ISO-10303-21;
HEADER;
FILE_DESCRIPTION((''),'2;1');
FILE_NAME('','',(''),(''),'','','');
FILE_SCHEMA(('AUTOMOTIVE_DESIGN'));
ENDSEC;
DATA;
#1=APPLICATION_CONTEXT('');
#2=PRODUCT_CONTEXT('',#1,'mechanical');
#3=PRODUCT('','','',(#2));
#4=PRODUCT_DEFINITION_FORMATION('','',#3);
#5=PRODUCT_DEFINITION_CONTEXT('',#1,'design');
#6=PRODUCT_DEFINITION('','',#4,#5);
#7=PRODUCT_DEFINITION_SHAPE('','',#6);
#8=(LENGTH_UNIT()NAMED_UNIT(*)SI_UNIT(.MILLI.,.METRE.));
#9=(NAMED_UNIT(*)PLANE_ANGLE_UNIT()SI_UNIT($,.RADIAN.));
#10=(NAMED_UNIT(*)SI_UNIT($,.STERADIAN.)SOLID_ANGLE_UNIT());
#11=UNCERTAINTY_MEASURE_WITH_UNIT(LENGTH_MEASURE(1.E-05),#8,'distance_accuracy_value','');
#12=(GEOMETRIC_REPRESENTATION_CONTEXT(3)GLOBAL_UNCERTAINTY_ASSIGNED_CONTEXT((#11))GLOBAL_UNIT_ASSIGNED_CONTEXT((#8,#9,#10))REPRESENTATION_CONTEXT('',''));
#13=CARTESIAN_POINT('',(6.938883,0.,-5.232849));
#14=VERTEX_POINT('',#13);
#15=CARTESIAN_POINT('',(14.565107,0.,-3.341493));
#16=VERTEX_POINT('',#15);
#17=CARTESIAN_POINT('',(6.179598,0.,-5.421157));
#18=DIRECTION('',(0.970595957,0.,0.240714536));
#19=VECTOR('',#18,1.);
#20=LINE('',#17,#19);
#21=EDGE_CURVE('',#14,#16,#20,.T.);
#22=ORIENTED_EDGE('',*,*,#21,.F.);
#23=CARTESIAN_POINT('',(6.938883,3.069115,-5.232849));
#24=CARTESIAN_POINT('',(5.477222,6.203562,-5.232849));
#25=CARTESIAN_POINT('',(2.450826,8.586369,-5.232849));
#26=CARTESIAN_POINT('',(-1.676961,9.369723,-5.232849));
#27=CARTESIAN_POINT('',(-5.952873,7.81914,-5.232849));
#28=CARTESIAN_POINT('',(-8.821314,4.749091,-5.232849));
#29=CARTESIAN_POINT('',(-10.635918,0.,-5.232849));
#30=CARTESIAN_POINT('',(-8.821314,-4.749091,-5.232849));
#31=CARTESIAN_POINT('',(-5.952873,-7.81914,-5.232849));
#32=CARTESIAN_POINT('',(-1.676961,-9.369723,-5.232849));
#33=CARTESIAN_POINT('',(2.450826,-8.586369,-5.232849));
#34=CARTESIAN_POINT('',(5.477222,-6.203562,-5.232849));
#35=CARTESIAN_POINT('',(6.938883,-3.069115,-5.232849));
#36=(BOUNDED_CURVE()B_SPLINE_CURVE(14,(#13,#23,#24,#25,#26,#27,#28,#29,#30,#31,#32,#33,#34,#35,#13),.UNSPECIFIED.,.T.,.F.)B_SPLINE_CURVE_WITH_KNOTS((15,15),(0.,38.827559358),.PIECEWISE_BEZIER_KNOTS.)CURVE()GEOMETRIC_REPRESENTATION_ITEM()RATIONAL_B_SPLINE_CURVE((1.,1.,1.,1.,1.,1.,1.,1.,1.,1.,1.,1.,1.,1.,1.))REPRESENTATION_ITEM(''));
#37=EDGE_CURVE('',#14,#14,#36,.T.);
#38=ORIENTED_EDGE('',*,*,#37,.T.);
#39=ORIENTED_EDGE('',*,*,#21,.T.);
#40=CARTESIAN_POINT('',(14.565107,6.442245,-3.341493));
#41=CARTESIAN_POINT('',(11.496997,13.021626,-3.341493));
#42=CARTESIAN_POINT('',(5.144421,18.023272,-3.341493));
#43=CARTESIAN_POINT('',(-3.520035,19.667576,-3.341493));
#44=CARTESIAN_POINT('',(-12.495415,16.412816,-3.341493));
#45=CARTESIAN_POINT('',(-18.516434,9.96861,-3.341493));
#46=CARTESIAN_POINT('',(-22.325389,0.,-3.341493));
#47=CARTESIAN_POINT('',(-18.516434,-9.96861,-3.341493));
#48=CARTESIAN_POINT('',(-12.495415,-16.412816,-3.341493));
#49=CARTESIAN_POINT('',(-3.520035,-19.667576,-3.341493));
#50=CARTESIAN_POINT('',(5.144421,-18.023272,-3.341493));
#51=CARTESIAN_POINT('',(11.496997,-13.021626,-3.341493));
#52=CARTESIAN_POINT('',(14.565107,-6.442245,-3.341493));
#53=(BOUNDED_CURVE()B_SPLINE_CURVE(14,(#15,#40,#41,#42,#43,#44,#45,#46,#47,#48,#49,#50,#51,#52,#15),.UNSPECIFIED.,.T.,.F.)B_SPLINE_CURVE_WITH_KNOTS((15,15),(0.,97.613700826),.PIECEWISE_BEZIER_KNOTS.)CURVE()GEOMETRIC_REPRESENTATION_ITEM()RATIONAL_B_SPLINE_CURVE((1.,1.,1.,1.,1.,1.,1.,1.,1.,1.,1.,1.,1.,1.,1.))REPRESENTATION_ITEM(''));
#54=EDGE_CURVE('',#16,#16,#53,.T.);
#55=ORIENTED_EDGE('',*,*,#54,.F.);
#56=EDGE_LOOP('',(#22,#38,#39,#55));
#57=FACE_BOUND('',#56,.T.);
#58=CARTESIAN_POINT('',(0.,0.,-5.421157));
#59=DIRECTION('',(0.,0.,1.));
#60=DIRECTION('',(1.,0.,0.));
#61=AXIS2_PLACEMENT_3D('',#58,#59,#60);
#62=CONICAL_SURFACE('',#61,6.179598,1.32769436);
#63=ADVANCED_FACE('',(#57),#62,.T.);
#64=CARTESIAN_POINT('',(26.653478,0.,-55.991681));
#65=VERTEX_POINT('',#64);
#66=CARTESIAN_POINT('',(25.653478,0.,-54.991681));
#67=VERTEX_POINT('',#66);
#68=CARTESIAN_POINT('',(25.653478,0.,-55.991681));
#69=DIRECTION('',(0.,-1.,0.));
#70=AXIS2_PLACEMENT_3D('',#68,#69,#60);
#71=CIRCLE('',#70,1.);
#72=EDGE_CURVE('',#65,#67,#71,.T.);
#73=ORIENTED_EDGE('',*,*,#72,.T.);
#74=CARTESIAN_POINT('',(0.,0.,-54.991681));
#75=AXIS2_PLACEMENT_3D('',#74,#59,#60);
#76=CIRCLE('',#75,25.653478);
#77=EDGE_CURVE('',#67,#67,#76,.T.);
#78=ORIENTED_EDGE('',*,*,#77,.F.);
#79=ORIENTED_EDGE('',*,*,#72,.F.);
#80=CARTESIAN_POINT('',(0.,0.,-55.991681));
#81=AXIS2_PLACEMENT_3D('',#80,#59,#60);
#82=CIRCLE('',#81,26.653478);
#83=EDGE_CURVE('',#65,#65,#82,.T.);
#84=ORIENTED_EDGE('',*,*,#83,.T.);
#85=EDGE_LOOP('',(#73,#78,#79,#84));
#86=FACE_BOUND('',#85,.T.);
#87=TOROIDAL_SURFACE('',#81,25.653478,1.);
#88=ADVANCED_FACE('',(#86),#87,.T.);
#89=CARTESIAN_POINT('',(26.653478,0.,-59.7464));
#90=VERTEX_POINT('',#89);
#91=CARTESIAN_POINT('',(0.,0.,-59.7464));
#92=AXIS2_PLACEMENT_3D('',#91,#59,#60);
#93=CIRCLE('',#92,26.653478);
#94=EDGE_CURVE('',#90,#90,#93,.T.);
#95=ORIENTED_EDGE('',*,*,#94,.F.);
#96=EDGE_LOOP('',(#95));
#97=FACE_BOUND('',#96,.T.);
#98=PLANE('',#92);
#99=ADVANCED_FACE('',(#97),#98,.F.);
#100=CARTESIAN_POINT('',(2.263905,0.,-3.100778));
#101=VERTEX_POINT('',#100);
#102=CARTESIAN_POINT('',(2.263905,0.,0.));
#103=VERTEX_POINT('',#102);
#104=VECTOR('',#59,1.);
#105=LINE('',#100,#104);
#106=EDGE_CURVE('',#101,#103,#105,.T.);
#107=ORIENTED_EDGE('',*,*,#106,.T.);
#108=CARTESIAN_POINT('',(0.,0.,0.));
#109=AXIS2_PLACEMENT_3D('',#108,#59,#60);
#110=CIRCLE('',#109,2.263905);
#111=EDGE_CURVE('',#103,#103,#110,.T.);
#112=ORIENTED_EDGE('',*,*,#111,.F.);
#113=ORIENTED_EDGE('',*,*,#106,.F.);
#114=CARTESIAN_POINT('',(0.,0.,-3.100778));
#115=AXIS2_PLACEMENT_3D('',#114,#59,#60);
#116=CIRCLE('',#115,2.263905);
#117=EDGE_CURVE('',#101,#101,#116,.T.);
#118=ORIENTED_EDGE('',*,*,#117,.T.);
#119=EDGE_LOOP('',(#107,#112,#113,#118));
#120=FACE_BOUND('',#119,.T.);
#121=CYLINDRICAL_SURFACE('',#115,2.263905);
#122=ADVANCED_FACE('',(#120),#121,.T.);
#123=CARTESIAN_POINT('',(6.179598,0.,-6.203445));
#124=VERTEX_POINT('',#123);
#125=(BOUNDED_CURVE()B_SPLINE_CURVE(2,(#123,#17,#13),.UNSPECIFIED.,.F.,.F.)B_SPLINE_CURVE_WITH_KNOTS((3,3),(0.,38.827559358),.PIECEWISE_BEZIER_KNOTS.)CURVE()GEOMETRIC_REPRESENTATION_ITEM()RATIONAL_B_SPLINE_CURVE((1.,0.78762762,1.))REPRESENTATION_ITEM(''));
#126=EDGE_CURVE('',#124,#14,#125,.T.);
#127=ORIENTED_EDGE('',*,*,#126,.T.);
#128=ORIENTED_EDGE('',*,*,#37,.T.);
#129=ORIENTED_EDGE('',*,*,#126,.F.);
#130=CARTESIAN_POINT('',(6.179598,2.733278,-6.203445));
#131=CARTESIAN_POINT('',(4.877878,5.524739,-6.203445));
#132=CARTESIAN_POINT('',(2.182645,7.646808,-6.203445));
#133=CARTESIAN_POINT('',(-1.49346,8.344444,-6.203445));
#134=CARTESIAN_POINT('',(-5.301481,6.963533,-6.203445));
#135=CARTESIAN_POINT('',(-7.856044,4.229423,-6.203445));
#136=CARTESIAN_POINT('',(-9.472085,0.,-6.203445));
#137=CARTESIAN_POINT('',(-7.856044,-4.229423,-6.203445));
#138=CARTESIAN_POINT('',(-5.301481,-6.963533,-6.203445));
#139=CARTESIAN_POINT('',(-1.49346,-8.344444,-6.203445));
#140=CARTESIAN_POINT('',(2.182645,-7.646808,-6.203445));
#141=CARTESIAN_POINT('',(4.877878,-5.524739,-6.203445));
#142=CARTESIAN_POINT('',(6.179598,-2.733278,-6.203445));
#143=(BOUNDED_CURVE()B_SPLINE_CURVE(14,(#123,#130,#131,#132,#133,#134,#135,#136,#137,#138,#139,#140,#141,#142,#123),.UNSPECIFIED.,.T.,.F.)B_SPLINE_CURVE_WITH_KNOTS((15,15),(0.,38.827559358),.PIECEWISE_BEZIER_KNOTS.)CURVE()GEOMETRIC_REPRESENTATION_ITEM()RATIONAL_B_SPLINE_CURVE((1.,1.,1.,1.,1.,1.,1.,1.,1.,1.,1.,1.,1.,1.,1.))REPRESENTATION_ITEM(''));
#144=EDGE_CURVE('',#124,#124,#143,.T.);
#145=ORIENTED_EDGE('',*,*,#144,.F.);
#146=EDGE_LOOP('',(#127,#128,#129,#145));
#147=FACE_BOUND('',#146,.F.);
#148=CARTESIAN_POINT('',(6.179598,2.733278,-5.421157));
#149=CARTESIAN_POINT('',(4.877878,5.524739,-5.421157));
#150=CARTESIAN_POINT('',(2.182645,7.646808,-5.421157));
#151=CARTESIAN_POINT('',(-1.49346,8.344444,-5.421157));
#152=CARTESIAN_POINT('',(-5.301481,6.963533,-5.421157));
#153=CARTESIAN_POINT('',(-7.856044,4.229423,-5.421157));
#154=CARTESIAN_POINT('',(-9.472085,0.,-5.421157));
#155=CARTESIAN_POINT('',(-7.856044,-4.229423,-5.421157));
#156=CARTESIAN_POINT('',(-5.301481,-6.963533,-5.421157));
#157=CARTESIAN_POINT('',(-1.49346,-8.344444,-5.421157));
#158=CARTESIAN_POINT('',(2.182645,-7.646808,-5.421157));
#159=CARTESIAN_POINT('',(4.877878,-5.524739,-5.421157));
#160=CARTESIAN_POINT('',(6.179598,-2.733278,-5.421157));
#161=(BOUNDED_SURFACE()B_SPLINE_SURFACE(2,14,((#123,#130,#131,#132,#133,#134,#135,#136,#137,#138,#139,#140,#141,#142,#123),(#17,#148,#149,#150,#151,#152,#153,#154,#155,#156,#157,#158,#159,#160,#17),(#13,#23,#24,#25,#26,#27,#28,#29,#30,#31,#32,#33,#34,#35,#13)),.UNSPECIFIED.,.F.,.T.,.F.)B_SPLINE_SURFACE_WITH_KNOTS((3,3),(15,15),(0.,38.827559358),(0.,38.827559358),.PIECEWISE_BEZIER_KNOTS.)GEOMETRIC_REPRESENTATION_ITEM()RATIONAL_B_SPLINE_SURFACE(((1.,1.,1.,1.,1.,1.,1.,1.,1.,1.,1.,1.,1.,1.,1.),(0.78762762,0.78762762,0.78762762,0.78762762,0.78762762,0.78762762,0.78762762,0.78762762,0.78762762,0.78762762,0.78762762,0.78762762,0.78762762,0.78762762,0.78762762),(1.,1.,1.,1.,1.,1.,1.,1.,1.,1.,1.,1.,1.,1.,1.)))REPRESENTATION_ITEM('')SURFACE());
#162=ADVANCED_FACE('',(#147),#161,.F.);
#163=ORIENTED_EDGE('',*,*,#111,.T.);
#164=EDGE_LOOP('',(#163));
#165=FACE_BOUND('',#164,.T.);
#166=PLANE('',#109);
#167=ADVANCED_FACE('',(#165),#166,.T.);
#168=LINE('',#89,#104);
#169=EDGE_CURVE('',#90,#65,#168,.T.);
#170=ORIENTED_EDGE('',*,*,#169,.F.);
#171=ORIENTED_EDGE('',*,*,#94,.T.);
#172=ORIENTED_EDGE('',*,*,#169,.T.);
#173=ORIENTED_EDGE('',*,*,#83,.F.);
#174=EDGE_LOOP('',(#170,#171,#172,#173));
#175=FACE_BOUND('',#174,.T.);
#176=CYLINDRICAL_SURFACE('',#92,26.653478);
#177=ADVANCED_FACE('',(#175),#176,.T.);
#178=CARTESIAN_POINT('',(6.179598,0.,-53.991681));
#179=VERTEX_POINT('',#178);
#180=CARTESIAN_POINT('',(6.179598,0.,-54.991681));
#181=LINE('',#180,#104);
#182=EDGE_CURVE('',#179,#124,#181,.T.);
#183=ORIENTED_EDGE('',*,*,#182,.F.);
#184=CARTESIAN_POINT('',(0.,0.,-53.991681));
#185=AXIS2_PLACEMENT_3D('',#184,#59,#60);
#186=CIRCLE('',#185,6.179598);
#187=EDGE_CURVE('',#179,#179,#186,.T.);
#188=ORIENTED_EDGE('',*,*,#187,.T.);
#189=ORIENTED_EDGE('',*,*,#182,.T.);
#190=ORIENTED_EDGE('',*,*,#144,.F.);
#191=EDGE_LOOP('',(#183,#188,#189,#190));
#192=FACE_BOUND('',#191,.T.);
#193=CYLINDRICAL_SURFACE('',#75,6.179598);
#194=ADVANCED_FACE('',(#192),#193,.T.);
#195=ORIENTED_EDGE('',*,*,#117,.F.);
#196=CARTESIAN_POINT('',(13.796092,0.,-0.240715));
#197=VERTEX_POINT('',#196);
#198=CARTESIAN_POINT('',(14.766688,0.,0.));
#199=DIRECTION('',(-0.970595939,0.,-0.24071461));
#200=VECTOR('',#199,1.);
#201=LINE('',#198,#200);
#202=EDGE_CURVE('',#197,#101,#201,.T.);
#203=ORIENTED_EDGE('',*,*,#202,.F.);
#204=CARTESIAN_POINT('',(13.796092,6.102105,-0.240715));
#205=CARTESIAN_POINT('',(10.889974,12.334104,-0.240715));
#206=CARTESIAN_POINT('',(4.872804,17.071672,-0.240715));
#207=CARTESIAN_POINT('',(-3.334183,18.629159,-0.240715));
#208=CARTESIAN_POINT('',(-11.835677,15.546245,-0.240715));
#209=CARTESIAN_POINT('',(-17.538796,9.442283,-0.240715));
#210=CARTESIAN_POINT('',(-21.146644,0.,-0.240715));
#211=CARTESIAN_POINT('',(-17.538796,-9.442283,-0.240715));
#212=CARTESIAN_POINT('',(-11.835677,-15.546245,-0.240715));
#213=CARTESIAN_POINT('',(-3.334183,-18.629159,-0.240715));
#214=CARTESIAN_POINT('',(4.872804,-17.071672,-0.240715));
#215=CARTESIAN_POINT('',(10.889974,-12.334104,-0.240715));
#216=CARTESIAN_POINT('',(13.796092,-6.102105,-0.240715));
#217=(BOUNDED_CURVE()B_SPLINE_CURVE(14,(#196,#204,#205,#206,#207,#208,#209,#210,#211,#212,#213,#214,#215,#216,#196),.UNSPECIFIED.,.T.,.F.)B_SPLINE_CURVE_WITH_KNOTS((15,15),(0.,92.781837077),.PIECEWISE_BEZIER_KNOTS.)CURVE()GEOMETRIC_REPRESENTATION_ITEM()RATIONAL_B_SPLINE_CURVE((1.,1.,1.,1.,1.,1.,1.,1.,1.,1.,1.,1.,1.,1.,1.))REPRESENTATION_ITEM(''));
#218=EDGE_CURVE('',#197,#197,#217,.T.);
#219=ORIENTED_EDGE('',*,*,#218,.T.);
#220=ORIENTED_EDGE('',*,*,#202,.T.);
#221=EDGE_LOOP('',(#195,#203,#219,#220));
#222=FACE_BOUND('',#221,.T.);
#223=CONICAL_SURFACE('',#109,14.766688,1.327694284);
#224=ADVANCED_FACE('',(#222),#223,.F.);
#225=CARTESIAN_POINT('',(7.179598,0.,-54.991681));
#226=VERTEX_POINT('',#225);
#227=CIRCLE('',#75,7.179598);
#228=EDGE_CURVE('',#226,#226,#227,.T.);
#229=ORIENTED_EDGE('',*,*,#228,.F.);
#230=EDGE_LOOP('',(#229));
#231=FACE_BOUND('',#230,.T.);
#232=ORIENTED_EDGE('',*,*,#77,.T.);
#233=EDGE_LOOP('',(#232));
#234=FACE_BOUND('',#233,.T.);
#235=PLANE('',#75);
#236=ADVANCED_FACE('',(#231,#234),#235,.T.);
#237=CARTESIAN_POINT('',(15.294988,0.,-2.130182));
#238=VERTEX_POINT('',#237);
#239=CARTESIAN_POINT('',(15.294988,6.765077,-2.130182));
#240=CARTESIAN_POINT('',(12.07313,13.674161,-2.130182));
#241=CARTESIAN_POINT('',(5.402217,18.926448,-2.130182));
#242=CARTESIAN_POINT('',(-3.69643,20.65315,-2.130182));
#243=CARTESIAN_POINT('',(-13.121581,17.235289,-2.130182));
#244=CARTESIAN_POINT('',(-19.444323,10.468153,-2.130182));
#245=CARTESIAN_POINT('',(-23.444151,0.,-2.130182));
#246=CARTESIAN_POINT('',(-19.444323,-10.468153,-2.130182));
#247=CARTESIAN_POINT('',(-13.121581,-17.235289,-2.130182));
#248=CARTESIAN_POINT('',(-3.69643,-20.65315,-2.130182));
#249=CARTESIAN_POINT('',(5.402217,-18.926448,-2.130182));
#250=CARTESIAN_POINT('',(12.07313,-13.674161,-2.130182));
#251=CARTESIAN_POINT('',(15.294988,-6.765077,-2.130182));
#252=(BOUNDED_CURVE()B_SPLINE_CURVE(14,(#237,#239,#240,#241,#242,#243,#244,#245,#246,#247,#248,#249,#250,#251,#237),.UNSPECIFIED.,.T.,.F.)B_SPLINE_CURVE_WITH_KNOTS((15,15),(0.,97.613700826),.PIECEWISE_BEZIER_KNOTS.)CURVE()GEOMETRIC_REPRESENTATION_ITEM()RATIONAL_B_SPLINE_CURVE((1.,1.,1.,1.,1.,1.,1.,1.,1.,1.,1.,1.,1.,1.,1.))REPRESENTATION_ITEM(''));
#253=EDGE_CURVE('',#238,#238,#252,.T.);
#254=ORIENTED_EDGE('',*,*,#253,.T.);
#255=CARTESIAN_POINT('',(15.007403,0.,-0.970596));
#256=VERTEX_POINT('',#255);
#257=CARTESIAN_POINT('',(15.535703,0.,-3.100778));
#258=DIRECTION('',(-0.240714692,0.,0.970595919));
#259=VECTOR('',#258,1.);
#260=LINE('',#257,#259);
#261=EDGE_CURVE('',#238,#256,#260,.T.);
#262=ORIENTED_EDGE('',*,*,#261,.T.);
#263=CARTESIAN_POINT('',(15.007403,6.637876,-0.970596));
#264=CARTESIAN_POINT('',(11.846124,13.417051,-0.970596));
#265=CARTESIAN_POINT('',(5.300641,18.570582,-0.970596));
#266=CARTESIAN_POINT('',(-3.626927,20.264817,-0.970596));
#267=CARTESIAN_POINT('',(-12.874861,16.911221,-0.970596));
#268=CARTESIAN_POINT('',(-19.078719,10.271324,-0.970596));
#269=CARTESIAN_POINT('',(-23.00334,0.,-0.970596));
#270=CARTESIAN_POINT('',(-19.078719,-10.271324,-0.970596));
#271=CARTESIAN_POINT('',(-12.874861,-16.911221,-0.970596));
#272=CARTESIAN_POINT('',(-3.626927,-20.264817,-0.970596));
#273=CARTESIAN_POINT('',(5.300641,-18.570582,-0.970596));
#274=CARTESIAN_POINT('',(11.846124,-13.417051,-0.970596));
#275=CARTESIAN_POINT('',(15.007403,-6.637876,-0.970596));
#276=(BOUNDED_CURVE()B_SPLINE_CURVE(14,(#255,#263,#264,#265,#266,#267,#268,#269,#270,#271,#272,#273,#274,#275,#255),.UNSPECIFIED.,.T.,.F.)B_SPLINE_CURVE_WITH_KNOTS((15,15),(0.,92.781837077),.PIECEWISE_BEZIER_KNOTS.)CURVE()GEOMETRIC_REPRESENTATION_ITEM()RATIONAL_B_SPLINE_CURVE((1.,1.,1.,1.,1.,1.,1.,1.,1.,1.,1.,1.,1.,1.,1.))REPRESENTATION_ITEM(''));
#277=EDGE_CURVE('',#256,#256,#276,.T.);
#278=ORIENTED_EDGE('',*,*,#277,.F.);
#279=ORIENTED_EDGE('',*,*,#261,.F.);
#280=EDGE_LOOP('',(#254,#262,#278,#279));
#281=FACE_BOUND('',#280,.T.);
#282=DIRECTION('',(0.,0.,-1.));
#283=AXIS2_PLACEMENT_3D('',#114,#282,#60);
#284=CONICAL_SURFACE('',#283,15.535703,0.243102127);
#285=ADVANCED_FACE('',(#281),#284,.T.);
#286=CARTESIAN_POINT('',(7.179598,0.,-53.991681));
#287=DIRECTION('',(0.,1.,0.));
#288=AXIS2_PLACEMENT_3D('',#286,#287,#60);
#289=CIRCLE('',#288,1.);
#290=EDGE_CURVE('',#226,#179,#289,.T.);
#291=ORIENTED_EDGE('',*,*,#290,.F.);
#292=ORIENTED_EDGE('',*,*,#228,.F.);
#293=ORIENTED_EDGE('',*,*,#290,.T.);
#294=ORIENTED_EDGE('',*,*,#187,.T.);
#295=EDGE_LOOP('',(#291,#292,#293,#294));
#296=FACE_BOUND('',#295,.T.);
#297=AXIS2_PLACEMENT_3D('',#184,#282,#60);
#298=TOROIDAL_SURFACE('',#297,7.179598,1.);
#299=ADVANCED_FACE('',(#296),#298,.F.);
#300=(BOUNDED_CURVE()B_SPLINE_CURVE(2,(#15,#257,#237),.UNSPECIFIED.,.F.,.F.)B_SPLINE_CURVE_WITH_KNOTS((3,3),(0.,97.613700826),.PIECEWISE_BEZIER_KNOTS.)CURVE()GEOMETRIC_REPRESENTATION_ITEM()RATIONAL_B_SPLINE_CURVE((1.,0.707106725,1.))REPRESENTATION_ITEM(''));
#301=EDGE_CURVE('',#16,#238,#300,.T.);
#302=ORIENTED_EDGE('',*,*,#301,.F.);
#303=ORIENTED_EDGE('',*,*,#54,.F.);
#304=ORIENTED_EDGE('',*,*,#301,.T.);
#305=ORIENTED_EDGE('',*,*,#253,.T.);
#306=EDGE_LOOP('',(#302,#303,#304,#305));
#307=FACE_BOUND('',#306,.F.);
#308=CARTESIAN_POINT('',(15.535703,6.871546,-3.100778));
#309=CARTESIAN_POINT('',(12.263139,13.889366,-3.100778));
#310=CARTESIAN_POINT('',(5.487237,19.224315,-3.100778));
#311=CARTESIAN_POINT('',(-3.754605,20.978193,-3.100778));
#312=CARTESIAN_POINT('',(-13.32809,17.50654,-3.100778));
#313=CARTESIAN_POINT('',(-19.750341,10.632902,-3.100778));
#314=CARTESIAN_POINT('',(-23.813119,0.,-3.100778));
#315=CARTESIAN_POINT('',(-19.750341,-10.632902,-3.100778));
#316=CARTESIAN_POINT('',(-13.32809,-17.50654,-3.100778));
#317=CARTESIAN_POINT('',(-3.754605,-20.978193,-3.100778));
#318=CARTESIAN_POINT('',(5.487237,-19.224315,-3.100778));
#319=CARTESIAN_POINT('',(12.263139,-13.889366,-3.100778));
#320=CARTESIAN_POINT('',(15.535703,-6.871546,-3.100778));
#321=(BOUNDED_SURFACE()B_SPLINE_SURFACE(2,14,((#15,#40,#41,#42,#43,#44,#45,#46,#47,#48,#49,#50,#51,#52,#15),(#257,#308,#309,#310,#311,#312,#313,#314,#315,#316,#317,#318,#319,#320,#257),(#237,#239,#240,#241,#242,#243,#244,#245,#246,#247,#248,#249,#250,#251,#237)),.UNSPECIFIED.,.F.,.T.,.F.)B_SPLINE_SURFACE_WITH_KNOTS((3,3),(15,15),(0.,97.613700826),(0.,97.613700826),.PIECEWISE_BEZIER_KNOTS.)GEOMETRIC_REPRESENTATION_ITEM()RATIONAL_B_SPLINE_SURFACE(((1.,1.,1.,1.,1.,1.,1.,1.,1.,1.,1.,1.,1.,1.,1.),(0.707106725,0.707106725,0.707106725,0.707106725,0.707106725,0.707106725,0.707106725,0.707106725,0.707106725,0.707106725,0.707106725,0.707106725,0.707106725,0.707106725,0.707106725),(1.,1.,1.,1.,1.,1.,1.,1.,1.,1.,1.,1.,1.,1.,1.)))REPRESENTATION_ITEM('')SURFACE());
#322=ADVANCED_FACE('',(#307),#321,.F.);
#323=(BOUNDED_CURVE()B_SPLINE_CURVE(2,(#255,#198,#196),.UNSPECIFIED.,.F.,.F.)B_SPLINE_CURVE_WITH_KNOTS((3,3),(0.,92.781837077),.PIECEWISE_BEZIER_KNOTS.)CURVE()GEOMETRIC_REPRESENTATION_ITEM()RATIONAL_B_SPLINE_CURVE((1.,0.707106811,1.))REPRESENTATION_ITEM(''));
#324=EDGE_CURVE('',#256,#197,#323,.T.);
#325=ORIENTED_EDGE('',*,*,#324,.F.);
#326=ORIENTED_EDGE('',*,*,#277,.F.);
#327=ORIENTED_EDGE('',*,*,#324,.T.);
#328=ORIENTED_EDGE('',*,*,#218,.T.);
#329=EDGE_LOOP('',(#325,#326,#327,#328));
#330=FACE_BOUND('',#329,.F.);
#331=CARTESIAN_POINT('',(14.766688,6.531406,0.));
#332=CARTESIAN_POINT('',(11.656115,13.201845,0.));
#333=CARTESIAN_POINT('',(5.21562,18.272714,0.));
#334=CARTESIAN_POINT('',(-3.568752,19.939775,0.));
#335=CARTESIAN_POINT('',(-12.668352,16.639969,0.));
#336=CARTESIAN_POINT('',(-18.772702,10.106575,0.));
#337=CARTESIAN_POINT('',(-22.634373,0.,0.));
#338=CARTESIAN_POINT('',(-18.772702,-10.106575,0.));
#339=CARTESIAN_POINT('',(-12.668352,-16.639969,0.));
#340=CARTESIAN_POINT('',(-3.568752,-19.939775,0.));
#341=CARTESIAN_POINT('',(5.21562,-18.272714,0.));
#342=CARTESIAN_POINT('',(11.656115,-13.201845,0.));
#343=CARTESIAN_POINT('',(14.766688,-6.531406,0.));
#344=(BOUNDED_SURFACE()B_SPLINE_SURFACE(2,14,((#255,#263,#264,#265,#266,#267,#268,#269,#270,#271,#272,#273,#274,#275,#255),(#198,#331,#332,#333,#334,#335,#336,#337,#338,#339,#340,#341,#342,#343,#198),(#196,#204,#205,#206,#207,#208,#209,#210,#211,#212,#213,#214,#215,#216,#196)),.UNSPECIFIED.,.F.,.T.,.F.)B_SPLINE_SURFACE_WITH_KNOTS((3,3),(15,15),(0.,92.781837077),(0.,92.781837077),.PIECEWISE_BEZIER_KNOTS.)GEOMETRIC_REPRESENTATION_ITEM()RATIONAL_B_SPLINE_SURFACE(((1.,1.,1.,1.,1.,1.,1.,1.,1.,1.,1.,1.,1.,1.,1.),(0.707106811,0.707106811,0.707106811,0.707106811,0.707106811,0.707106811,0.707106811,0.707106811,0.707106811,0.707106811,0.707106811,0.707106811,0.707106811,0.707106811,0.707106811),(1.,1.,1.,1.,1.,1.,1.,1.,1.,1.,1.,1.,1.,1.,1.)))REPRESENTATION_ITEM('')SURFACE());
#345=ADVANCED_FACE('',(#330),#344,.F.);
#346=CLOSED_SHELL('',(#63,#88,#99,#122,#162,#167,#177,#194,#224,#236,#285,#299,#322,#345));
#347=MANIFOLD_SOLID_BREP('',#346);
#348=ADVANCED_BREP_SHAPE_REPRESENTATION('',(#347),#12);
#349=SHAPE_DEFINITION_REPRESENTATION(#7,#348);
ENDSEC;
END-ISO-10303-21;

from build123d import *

# Parameters (mm, degrees)
F2_R = 1


with BuildPart() as f1:
    # F0 (on Front) → F1 (revolve)
    with BuildSketch(Plane.XZ):
        Polygon((2.263905, 0), (0, 0), (0, -59.7464), (26.653478, -59.7464), (26.653478, -54.991681), (6.179598, -54.991681), (6.179598, -5.421157), (15.535703, -3.100778), (14.766688, 0), (2.263905, -3.100778), align=None)
    revolve(axis=Axis((0, 0, -29.8732), (0, 0, 1)))

    # F2
    f2_edges = [f1.edges().sort_by_distance(p)[0] for p in [
        (-14.766688, 0, 0),
        (-15.535703, 0, -3.100778),
        (-26.653478, 0, -54.991681),
        (-6.179598, 0, -54.991681),
        (-6.179598, 0, -5.421157),
    ]]
    fillet(f2_edges, radius=F2_R)


solid = f1.part
